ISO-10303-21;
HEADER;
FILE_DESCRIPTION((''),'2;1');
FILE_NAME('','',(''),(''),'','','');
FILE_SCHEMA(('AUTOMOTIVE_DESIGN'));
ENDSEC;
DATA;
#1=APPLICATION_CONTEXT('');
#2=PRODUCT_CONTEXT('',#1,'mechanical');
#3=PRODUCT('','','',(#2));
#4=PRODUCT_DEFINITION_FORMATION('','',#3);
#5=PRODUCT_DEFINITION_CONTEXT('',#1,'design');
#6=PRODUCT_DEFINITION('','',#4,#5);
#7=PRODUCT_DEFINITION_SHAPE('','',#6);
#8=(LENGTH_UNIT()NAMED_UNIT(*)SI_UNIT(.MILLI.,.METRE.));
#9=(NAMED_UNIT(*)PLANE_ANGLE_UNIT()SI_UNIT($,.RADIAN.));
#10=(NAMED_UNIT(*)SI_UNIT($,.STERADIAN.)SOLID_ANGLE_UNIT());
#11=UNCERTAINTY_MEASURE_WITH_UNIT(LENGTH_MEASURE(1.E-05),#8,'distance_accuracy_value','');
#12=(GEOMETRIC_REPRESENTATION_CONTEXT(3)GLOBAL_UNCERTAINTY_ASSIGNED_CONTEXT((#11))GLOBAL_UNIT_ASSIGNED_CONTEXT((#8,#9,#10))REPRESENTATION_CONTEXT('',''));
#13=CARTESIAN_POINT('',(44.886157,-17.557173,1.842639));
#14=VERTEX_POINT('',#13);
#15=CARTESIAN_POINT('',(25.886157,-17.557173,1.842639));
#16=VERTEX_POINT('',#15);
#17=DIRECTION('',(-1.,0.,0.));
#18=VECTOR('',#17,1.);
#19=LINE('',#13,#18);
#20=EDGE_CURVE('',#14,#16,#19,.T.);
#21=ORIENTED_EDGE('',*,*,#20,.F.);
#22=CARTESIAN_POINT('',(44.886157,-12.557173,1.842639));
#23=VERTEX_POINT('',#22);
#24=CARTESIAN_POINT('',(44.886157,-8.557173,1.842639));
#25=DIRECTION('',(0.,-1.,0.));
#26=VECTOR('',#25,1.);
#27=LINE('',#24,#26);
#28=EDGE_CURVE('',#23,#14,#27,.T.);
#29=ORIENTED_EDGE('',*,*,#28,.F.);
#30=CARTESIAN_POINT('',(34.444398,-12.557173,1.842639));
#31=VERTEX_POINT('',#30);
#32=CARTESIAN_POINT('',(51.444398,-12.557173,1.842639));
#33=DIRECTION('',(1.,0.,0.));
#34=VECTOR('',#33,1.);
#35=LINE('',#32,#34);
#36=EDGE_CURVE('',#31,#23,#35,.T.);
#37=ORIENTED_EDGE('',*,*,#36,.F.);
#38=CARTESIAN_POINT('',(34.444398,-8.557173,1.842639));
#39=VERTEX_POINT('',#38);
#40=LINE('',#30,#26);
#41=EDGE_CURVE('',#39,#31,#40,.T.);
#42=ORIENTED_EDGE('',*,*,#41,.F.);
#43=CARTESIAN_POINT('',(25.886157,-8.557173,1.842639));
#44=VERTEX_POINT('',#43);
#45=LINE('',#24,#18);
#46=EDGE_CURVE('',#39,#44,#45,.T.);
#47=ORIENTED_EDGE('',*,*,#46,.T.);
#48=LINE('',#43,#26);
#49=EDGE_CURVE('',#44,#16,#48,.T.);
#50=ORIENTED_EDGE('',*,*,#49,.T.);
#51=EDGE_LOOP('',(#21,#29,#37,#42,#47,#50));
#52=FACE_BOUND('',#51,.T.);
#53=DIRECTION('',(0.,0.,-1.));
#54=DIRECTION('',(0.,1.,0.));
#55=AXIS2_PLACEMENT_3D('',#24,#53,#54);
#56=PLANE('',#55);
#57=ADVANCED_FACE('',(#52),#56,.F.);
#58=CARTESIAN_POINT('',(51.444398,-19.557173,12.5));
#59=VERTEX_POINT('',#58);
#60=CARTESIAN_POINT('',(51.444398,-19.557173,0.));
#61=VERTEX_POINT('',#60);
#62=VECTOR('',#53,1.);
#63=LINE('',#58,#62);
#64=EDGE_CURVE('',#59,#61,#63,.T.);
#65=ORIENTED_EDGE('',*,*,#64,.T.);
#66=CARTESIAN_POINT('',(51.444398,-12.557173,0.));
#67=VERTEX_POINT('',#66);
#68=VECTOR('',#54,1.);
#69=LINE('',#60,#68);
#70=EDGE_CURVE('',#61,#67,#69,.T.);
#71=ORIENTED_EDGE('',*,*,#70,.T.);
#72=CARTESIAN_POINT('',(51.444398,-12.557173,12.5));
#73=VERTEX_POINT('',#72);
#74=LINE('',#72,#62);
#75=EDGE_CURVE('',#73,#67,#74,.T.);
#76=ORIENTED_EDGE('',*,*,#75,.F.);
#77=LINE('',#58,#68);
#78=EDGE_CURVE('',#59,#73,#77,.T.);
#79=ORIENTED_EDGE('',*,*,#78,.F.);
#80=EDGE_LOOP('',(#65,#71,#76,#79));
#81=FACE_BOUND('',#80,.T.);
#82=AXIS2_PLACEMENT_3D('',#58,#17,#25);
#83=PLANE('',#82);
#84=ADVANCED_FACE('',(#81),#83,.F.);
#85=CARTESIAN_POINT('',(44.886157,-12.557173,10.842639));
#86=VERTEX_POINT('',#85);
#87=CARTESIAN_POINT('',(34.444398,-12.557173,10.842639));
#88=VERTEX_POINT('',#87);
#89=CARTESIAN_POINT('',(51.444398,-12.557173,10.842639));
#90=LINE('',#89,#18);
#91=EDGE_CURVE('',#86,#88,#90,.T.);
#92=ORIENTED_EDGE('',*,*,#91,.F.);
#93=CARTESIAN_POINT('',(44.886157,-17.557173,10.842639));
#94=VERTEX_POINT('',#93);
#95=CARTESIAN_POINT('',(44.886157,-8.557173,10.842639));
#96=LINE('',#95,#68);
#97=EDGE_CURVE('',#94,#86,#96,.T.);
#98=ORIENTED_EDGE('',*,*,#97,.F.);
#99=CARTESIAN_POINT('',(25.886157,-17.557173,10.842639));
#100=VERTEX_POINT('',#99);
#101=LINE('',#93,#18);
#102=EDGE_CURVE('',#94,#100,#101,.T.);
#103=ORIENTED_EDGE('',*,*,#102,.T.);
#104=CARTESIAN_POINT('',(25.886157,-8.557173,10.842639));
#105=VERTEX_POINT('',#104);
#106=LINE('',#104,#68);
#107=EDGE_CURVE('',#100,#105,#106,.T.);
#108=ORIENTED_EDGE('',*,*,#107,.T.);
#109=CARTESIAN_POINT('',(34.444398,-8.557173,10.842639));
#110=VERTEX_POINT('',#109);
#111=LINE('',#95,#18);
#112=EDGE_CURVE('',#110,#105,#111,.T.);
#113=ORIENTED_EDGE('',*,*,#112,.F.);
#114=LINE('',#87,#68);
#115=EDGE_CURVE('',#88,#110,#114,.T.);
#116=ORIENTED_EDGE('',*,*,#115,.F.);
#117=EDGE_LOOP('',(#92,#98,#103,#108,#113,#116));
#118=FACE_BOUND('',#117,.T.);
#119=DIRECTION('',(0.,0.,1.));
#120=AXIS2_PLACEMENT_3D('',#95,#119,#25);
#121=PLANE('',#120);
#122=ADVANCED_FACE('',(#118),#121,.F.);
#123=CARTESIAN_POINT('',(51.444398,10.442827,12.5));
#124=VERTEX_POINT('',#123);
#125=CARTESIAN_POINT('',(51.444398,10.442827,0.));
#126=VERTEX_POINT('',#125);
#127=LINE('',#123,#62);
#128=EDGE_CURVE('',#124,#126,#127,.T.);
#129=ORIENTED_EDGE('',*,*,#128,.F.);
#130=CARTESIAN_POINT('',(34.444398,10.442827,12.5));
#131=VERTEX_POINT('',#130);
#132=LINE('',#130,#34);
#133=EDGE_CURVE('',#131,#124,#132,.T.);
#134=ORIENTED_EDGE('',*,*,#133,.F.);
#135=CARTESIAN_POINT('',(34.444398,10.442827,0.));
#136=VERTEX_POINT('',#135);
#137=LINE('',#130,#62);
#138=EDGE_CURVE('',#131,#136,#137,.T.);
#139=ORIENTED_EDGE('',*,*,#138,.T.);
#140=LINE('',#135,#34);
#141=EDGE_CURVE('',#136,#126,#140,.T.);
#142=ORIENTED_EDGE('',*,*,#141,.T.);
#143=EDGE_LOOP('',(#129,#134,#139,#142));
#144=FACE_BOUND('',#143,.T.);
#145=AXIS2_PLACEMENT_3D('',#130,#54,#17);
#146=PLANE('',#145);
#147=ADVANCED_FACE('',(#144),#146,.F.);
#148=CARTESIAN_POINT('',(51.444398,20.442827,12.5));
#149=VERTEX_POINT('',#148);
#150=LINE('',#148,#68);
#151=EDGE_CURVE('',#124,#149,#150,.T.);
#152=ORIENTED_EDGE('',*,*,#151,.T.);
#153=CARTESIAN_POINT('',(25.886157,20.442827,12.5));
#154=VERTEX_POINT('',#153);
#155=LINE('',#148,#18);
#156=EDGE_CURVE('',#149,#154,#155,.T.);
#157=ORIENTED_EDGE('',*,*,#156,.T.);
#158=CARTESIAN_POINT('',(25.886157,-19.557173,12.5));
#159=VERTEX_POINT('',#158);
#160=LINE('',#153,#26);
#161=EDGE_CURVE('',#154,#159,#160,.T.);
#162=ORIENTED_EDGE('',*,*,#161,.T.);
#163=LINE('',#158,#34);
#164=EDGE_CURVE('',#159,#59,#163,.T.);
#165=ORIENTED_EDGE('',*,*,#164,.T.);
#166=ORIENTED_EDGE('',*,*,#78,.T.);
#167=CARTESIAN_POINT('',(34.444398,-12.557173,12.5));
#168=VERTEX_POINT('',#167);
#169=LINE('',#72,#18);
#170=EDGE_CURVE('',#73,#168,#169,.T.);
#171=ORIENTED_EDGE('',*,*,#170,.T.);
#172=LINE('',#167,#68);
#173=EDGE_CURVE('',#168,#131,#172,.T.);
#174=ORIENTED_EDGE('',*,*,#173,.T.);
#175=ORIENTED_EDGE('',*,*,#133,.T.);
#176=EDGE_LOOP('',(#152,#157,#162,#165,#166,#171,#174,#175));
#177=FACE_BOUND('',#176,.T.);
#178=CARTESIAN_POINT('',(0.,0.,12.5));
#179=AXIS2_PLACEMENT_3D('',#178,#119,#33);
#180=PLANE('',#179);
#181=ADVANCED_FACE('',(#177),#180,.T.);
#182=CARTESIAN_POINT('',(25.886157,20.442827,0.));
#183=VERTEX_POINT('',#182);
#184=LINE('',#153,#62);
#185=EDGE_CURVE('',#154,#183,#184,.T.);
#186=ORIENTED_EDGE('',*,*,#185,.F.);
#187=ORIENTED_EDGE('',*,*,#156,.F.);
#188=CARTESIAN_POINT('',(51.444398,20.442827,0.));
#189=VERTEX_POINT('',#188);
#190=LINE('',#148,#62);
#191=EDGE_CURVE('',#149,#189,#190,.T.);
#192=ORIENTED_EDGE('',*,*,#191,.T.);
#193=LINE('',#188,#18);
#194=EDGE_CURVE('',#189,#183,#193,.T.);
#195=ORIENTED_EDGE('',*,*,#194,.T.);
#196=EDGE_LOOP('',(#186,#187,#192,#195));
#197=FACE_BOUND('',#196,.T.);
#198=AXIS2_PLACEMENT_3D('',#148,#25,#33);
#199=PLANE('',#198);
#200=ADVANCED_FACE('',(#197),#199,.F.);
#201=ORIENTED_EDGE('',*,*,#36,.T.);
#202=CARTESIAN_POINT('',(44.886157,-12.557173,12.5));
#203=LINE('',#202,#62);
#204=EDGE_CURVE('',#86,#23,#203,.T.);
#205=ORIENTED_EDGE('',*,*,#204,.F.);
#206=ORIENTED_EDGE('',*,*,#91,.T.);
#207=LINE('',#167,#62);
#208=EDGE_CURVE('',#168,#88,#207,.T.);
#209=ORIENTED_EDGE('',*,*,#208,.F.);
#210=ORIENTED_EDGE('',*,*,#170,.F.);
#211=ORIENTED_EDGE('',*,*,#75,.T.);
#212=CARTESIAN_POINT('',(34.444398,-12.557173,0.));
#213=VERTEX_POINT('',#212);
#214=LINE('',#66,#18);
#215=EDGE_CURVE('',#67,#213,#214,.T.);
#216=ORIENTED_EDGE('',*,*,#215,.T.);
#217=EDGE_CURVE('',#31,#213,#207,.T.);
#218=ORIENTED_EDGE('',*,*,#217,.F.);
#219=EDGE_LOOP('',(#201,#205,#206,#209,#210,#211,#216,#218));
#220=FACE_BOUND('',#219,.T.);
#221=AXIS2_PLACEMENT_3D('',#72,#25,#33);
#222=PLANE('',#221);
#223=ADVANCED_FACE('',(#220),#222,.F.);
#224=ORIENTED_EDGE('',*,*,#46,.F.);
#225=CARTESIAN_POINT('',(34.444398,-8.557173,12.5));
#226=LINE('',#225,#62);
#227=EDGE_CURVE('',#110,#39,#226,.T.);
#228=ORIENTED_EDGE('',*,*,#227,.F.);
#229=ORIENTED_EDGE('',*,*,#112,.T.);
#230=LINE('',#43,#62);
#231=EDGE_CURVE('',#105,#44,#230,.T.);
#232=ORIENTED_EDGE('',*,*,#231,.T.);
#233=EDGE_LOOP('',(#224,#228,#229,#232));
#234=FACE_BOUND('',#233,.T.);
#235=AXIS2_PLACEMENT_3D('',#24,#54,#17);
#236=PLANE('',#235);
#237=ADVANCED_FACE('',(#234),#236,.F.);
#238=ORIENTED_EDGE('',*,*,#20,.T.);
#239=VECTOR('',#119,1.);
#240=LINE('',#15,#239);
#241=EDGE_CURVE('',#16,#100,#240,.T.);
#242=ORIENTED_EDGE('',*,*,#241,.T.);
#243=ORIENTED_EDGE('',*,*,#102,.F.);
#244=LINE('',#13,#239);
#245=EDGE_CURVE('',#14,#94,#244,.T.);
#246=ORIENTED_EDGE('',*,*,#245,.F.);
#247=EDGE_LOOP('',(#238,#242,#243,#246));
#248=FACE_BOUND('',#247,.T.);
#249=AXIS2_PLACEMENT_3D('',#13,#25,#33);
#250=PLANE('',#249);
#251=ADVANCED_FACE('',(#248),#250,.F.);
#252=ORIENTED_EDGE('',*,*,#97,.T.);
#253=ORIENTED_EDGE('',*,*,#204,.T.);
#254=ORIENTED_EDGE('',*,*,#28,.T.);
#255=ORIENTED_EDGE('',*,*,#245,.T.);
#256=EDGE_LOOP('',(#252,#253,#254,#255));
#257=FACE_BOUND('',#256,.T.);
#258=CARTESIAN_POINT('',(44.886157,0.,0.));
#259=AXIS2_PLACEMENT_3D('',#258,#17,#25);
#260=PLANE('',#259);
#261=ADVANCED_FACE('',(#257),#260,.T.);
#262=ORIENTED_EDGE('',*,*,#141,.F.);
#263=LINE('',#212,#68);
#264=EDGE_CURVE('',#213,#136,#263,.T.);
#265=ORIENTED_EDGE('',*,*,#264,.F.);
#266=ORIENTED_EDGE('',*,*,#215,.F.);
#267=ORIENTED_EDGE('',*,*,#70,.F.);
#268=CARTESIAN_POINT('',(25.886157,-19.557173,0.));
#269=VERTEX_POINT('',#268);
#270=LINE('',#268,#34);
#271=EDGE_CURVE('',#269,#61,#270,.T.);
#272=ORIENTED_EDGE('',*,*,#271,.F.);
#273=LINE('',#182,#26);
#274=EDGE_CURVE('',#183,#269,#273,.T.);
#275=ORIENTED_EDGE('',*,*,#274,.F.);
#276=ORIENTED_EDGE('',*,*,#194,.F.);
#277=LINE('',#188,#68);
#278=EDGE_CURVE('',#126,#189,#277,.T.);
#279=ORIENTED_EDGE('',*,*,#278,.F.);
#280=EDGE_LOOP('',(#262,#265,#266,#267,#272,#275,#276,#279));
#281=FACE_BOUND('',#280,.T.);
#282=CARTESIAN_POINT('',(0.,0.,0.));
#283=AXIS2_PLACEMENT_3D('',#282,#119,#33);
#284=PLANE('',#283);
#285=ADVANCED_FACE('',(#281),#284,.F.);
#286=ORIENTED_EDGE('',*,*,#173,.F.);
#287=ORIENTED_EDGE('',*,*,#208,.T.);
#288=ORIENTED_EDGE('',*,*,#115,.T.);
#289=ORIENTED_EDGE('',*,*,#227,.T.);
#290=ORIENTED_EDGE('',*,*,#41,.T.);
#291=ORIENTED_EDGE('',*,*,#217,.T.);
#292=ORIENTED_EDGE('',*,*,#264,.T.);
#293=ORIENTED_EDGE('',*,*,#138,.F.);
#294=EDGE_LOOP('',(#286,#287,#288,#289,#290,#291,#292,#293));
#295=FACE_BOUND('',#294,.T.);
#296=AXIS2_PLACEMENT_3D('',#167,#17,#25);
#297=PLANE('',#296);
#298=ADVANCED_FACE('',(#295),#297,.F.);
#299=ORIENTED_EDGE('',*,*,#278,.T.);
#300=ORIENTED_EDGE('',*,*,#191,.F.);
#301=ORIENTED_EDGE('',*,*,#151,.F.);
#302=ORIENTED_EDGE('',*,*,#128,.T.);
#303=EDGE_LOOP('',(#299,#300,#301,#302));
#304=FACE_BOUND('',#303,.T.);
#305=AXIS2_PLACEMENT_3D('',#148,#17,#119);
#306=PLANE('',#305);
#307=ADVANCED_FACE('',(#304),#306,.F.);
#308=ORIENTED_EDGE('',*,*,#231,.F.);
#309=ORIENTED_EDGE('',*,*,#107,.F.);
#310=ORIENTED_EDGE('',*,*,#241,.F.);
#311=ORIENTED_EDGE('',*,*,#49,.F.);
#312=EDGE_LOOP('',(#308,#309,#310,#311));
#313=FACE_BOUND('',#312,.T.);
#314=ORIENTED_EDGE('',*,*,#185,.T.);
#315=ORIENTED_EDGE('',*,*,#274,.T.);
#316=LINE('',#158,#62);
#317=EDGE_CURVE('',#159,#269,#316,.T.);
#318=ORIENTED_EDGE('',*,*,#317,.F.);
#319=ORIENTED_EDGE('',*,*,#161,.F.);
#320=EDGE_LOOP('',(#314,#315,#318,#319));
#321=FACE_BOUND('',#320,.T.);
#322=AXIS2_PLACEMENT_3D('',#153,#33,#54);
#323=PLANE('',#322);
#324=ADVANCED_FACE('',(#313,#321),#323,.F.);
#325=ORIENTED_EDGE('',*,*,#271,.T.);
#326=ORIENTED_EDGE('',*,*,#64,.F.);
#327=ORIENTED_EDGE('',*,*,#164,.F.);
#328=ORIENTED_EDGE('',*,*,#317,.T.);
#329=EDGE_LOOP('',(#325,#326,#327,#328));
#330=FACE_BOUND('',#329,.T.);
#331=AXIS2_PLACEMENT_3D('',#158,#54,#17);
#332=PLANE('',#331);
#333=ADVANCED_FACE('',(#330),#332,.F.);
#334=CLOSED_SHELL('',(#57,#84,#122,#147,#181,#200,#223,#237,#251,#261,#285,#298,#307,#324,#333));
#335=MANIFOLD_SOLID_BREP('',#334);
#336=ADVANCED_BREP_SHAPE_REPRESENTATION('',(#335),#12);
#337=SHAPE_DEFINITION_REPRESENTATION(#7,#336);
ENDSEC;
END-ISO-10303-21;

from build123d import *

# Parameters (mm, degrees)
BOSS_EXTRUDE1_DEPTH = 12.5
SKETCH6_W           = 9
SKETCH6_H           = 9
CUT_EXTRUDE2_DEPTH  = 19


with BuildPart() as part:
    # Sketch3 → Boss-Extrude1 (new body)
    with BuildSketch(Plane.XY):
        Polygon((51.444398057, 20.442826613), (25.886157296, 20.442826613), (25.886157296, -19.557173387), (51.444398057, -19.557173387), (51.444398057, -12.557173387), (34.444398057, -12.557173387), (34.444398057, 10.442826613), (51.444398057, 10.442826613), align=None)
    extrude(amount=BOSS_EXTRUDE1_DEPTH)

    # Sketch6 → Cut-Extrude2 (cut)
    with BuildSketch(Plane.ZY.offset(-25.886157296)):
        with Locations((6.342638548, -13.057173387)):
            Rectangle(SKETCH6_W, SKETCH6_H)
    extrude(amount=-CUT_EXTRUDE2_DEPTH, mode=Mode.SUBTRACT)


solid = part.part
